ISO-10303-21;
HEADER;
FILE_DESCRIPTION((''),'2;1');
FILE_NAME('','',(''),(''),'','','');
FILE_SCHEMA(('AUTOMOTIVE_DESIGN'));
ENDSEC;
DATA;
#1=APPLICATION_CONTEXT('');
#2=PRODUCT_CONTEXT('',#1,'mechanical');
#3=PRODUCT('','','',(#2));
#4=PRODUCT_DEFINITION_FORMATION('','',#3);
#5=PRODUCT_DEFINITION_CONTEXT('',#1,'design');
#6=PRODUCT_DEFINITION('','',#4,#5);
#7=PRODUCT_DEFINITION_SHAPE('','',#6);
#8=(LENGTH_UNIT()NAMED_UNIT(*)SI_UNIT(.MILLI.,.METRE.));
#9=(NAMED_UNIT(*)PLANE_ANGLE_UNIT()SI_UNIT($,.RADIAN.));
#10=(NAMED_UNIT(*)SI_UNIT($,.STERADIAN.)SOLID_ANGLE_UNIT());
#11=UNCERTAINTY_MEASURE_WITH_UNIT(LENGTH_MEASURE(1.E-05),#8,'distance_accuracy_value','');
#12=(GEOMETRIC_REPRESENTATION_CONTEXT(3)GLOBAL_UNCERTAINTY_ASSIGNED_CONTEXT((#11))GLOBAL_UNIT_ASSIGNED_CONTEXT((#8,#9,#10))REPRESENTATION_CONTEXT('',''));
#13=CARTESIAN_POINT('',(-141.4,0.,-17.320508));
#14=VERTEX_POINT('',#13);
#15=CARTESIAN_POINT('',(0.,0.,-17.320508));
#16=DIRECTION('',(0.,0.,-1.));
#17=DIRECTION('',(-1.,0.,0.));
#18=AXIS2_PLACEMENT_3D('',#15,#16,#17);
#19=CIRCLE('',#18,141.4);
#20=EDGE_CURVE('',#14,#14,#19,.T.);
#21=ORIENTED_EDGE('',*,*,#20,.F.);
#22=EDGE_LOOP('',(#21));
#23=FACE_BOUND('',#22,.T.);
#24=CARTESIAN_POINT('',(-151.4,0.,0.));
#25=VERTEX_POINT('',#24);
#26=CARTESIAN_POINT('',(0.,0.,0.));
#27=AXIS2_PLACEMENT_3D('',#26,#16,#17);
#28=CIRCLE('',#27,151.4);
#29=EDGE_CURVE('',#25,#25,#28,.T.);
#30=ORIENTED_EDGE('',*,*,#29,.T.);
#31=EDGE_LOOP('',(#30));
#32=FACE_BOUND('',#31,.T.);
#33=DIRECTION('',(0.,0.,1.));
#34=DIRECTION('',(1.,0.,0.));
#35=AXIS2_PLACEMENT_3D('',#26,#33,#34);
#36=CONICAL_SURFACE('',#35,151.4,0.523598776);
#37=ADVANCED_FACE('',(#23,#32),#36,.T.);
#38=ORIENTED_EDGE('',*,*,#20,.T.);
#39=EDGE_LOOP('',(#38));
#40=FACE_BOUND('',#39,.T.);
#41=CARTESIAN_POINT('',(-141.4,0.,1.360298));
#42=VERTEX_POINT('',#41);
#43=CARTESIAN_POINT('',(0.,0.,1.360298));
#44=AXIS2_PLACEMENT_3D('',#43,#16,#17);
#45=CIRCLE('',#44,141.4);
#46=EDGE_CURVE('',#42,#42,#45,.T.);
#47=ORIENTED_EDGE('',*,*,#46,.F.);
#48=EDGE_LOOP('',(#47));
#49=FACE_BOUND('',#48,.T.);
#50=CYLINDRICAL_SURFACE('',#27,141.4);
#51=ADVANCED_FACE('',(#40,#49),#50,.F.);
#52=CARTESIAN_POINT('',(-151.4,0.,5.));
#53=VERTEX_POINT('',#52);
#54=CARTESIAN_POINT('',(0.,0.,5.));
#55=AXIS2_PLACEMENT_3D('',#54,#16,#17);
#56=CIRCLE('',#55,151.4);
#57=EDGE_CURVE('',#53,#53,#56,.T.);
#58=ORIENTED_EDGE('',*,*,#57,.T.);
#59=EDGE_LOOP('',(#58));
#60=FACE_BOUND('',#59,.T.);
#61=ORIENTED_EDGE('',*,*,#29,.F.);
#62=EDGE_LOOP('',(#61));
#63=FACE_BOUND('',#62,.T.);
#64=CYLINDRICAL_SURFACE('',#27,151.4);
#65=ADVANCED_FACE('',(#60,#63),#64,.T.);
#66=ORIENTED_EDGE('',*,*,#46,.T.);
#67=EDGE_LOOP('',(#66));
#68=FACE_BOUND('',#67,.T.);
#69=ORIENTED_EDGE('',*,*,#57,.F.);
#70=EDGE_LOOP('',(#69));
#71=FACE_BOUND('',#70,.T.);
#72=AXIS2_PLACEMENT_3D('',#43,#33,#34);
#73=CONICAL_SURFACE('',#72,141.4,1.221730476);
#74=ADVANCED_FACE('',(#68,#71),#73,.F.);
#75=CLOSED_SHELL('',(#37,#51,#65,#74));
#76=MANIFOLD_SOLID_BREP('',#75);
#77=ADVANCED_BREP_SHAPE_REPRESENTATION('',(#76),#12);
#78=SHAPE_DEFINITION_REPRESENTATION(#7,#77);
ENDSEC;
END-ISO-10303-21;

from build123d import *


with BuildPart() as part:
    # Sketch1 → Revolve1 (revolve)
    with BuildSketch(Plane.YZ, mode=Mode.PRIVATE) as revolve1_sk:
        Polygon((-141.4, 1.360297657), (-151.4, 5), (-151.4, 0), (-141.4, -17.320508076), align=None)
    revolve(revolve1_sk.sketch.rotate(Axis((0, 0, 0), (0, 0, 1)), 270), axis=Axis((0, 0, 0), (0, 0, 1)))


solid = part.part
